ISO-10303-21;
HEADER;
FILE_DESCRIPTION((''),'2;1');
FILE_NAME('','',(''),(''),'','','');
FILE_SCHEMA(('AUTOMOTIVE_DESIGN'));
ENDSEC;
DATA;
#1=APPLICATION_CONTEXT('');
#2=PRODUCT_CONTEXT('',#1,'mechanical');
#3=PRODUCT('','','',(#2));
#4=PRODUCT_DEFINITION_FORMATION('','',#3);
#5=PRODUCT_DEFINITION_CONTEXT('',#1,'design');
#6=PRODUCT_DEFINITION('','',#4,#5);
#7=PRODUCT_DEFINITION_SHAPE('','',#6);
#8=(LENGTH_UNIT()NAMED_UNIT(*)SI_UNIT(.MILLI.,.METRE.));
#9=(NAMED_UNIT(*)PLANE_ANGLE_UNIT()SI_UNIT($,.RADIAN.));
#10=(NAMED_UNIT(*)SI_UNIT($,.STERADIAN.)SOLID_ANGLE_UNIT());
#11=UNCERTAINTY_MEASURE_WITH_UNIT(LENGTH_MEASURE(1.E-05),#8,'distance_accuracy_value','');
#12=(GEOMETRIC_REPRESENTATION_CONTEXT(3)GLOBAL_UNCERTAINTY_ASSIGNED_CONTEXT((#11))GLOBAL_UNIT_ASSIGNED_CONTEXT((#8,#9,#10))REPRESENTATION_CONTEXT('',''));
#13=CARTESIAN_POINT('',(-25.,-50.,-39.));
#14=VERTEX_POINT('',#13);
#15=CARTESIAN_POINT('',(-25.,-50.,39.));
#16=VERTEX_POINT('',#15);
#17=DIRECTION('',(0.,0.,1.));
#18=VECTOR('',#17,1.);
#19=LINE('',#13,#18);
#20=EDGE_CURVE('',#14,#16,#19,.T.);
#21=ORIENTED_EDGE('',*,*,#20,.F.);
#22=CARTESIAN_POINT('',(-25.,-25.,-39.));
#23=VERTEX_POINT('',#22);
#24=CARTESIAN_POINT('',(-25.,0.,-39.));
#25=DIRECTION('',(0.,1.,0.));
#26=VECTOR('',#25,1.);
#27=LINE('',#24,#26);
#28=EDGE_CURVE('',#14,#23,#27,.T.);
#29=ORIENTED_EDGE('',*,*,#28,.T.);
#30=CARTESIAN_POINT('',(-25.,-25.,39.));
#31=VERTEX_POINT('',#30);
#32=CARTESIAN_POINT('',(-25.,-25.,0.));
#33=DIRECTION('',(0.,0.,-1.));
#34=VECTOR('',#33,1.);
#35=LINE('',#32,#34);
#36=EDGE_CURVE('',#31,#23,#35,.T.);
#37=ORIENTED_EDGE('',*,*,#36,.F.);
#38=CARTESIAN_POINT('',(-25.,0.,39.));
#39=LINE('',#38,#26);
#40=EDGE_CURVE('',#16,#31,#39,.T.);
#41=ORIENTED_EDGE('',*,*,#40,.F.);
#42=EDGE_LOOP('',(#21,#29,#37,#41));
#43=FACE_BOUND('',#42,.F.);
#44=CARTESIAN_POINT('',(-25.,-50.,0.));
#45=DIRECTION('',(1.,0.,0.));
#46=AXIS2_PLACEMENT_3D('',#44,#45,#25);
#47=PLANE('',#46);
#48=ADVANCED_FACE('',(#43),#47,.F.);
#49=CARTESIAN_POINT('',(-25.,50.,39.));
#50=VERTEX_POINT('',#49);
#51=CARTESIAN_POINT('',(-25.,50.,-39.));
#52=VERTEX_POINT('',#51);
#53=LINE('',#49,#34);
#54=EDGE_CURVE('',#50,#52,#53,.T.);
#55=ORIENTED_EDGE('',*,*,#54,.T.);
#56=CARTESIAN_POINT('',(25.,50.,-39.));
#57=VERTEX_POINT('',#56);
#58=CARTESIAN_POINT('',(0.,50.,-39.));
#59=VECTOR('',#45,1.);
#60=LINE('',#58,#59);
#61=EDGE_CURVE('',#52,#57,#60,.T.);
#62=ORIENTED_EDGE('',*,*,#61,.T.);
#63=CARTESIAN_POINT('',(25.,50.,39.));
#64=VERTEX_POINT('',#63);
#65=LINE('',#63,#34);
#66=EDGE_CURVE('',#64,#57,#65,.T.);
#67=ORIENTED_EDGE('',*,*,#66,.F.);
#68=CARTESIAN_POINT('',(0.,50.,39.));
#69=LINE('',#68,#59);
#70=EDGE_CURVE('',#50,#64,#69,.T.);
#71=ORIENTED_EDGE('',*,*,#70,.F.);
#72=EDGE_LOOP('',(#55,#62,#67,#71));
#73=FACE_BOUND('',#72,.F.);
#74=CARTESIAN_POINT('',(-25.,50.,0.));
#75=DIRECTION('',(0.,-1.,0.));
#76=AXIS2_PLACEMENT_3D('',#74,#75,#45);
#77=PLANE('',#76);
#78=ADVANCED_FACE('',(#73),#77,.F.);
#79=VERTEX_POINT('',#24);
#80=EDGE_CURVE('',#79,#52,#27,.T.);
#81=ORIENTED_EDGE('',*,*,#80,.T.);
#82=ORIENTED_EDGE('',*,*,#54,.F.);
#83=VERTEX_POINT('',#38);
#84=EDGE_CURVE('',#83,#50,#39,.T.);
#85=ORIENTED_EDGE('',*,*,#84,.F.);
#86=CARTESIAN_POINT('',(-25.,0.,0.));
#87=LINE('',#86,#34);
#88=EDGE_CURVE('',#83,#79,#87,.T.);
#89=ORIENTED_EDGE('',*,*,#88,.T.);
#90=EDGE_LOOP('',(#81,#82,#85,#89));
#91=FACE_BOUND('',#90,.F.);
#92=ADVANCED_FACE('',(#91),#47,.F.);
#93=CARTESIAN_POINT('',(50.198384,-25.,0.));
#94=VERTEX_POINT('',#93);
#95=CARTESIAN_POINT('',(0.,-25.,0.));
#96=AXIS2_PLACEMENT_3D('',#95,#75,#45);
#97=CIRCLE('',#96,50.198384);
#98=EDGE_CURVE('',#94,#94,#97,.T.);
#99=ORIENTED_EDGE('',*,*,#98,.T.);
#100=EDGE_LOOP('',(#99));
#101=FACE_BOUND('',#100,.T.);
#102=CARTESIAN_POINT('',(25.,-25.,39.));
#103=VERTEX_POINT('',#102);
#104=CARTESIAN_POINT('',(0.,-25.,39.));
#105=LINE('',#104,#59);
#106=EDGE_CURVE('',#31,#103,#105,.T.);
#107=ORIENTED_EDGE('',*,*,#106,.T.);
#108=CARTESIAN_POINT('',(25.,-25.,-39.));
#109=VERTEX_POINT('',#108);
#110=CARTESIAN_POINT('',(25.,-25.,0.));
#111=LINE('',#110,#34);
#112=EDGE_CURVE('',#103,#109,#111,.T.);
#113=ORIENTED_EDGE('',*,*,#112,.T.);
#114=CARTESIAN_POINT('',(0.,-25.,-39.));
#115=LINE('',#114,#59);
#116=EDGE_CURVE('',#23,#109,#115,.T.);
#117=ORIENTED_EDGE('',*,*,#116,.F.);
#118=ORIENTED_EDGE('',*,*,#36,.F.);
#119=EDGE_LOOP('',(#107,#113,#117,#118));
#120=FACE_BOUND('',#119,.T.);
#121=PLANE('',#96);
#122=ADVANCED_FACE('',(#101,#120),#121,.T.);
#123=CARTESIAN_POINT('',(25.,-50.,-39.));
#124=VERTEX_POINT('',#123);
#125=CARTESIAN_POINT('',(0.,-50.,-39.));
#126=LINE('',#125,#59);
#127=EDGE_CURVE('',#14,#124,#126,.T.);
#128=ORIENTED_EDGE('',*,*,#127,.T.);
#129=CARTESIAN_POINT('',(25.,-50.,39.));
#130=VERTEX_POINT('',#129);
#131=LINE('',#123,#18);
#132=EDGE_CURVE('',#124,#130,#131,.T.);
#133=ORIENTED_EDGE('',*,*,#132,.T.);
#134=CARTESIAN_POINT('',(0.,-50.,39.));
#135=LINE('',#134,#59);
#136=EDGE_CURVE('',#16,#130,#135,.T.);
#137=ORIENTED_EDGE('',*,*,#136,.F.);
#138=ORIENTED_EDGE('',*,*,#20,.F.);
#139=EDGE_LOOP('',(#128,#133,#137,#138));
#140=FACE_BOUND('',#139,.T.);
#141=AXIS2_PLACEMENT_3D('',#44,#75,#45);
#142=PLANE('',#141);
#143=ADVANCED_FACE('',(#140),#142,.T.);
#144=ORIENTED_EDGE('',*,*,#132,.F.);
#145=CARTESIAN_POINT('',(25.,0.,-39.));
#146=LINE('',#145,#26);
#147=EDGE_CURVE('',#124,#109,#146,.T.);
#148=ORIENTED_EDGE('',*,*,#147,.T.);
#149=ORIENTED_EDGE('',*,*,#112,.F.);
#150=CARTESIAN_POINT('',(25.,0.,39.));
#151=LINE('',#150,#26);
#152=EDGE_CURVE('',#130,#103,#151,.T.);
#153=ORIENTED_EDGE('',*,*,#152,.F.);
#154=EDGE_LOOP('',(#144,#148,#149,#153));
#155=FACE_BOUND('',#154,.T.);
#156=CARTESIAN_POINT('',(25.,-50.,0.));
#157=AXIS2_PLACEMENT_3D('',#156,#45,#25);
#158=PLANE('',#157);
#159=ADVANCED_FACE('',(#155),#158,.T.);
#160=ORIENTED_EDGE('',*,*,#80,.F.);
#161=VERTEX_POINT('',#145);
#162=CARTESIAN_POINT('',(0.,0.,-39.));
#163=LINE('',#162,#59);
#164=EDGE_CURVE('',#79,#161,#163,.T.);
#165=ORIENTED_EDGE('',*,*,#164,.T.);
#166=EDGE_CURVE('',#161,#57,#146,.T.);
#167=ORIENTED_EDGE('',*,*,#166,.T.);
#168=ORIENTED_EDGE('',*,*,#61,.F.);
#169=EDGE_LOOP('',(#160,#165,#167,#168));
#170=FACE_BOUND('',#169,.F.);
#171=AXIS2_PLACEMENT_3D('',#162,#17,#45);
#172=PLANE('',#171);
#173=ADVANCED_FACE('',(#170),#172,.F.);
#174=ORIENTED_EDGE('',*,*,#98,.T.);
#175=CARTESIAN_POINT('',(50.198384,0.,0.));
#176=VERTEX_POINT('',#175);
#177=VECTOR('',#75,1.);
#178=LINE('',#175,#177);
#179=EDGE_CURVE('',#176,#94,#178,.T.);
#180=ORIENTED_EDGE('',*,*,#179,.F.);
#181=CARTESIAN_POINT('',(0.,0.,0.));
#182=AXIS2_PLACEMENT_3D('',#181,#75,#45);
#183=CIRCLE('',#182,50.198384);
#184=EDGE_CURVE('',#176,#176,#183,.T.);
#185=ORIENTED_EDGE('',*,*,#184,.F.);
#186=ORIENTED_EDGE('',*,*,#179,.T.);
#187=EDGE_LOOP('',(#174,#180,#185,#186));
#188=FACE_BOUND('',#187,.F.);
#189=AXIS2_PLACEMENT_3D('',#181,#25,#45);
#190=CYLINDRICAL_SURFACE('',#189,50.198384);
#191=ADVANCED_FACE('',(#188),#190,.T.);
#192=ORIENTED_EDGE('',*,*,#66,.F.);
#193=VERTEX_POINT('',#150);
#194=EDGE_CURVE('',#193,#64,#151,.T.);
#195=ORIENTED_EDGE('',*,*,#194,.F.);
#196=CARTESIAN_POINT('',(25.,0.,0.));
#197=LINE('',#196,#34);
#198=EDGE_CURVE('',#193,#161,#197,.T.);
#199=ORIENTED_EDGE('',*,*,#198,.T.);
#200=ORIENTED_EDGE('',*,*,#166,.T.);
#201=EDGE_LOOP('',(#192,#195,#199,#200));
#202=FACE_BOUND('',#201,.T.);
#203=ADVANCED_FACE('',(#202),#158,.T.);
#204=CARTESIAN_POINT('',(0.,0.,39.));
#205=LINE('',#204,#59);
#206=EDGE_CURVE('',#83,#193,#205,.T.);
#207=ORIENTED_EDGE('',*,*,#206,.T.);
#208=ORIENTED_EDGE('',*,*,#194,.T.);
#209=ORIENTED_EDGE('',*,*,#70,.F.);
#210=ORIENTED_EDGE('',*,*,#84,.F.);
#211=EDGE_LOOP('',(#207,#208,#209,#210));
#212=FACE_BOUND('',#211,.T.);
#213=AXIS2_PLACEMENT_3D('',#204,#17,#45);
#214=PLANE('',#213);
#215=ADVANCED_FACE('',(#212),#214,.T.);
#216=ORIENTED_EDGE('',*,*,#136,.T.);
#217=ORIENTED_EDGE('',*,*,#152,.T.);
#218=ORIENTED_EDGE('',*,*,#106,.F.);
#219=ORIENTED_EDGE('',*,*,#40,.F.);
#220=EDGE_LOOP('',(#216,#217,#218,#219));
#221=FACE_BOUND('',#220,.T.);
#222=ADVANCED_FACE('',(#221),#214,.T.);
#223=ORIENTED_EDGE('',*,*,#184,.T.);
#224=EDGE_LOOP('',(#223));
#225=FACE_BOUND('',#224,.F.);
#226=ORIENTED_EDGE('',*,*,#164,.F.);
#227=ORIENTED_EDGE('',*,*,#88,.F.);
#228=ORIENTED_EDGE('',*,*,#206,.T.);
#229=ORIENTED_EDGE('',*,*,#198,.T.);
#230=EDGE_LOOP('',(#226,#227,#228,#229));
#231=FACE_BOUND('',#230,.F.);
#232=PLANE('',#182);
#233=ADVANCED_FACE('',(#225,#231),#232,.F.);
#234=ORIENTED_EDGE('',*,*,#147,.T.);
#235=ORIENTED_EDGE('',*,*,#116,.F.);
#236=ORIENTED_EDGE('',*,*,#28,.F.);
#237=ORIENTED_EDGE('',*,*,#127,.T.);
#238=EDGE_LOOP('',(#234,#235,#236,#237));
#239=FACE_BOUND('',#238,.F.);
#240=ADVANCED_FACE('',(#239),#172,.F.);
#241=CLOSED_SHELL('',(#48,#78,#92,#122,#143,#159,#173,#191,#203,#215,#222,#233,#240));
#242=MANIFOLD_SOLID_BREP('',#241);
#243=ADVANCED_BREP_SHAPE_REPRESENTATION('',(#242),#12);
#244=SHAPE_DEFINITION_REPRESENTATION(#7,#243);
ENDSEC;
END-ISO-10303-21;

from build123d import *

# Parameters (mm, degrees)
F0_W     = 50
F0_H     = 100
F1_DEPTH = 39
F2_R     = 50.198384
F3_DEPTH = 25


with BuildPart() as f1:
    # F0 (on Top) → F1 (new body, symmetric)
    with BuildSketch(Plane.XY):
        Rectangle(F0_W, F0_H)
    extrude(amount=F1_DEPTH, both=True)

    # F2 (on Front) → F3 (join)
    with BuildSketch(Plane.XZ):
        Circle(F2_R)
    extrude(amount=F3_DEPTH)


solid = f1.part
